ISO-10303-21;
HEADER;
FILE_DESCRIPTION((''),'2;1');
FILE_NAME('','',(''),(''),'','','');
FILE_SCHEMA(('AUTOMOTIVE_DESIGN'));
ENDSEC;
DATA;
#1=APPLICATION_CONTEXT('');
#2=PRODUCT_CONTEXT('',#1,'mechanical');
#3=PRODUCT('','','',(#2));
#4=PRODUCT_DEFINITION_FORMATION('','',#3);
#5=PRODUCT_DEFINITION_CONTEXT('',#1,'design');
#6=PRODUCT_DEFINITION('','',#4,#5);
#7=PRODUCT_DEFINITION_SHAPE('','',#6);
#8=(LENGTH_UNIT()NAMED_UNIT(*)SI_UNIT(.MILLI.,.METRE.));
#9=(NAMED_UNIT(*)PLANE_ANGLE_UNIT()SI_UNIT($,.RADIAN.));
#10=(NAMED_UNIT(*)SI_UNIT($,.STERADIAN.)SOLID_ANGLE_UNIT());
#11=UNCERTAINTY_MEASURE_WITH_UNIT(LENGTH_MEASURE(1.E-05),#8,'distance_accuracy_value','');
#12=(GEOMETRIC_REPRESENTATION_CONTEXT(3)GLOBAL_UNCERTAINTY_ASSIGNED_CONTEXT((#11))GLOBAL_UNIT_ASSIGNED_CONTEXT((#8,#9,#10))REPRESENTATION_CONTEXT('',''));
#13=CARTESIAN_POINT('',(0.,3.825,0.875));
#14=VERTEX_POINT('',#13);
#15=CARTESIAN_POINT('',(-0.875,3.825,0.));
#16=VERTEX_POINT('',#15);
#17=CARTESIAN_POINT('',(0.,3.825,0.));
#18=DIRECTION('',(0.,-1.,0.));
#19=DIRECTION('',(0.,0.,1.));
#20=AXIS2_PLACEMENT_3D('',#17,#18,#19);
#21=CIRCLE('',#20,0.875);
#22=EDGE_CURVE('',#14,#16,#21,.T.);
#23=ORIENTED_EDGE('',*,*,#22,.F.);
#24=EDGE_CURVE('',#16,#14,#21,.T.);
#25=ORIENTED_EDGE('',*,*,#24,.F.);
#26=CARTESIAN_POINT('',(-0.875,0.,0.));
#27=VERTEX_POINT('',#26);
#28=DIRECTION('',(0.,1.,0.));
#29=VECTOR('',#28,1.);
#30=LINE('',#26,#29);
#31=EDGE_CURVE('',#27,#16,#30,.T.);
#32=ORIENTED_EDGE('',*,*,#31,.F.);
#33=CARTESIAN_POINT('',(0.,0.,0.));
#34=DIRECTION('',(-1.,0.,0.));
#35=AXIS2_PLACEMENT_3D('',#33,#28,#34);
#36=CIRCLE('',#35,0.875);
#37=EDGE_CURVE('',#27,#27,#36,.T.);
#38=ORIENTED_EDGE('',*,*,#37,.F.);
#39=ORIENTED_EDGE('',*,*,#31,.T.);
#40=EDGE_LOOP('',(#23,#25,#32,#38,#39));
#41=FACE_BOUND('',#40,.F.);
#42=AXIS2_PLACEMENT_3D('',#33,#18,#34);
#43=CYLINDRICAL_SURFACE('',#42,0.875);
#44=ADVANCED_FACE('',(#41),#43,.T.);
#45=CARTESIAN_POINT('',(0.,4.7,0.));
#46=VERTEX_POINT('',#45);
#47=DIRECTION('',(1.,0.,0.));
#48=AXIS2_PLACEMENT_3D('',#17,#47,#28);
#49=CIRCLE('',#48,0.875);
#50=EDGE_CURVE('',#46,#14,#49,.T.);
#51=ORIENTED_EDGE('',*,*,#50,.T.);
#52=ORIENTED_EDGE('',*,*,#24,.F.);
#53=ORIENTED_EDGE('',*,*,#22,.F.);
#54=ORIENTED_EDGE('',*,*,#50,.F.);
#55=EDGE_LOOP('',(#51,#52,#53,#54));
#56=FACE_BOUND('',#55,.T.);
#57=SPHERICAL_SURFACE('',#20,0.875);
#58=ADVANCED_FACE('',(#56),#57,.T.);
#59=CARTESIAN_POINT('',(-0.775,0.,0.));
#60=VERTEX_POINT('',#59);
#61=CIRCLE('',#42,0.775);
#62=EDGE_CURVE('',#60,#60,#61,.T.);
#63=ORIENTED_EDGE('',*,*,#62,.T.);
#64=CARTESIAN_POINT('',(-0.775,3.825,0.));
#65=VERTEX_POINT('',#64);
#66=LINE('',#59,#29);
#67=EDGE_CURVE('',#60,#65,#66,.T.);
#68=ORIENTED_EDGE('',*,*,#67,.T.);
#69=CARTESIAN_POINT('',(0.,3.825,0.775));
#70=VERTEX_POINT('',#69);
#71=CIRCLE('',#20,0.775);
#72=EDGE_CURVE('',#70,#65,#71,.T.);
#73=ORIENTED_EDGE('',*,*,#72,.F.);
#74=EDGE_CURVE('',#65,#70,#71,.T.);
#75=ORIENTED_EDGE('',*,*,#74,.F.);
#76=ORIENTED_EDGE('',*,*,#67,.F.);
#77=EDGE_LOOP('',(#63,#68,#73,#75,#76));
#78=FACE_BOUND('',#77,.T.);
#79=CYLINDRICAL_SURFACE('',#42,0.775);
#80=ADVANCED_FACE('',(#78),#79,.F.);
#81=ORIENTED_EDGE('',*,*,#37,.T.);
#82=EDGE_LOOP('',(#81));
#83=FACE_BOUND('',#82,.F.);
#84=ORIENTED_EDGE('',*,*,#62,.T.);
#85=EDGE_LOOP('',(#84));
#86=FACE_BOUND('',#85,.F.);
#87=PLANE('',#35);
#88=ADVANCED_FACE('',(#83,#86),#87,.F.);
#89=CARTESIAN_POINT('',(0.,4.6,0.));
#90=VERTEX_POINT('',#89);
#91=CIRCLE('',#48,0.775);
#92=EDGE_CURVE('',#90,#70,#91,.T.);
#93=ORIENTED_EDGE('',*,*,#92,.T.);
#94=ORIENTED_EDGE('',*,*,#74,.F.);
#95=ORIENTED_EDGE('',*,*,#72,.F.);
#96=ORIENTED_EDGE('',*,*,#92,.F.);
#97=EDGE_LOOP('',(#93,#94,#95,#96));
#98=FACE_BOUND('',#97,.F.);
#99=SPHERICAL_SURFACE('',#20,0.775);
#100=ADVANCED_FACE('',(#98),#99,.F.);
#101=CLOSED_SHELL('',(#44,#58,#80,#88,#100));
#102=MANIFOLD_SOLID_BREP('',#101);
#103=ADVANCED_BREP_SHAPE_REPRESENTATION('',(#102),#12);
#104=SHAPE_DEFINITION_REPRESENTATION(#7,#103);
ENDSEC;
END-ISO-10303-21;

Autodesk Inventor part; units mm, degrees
ref_plane "YZ Plane" through (0, 0, 0) normal (1, 0, 0) x (0, 1, 0)
ref_plane "XZ Plane" through (0, 0, 0) normal (0, 1, 0) x (-1, 0, 0)
ref_plane "XY Plane" through (0, 0, 0) normal (0, 0, 1) x (1, 0, 0)
sketch "Sketch1" plane through (0, 0, 0) normal (0, 1, 0) x (-1, 0, 0)
  circle A0 centre (0, 0) radius 0.875
  circle A1 centre (0, 0) radius 0.825
  dimension "d0" = 1.75
  dimension "d1" = 1.65
extrude "Extrusion1" add sketch "Sketch1" along normal blind 4.7 contours A0 | A1
sketch "Sketch2" plane through (0, 0, 0) normal (1, 0, 0) x (0, 1, 0)
  circle A0 centre (1.1545, 0) radius 0.3395
  line L0 (0, 0.875) -> (4.7, 0.875) projected
  line L1 (0, -0.875) -> (4.7, -0.875) projected
  line L2 (4.7, -0.875) -> (4.7, 0.875) projected
  line L3 (4.7, 0.4277) -> (3.8411, 0.4277)
  line L4 (3.825, 0) -> (3.825, -0.875)
  arc A1 (3.825, -0.875) -> (3.825, 0.875) centre (3.825, 0) ccw
  line L5 (4.7, 0.875) -> (3.825, 0.875)
  line L6 (3.825, 0.875) -> (3.825, -0.875)
  line L7 (3.825, -0.875) -> (4.7, -0.875)
  line L8 (4.7, -0.875) -> (4.7, 0.875)
  line L9 (4.7, 0) -> (2.7552, 0)
  point P0 (0, 0)
  point P1 (4.7, 0)
  dimension "d4" = 0.679
revolve "Revolution1" cut sketch "Sketch2" angle 360 about axis through (0, 4.7, 0) along (0, -1, 0) contours L0 L2 L3 A1 | L3 L2 A1
shell "Shell1" thickness 0.1 removed faces 1 at (-0.3358, 0, 0.0232)
properties part number "continuacion indice"
